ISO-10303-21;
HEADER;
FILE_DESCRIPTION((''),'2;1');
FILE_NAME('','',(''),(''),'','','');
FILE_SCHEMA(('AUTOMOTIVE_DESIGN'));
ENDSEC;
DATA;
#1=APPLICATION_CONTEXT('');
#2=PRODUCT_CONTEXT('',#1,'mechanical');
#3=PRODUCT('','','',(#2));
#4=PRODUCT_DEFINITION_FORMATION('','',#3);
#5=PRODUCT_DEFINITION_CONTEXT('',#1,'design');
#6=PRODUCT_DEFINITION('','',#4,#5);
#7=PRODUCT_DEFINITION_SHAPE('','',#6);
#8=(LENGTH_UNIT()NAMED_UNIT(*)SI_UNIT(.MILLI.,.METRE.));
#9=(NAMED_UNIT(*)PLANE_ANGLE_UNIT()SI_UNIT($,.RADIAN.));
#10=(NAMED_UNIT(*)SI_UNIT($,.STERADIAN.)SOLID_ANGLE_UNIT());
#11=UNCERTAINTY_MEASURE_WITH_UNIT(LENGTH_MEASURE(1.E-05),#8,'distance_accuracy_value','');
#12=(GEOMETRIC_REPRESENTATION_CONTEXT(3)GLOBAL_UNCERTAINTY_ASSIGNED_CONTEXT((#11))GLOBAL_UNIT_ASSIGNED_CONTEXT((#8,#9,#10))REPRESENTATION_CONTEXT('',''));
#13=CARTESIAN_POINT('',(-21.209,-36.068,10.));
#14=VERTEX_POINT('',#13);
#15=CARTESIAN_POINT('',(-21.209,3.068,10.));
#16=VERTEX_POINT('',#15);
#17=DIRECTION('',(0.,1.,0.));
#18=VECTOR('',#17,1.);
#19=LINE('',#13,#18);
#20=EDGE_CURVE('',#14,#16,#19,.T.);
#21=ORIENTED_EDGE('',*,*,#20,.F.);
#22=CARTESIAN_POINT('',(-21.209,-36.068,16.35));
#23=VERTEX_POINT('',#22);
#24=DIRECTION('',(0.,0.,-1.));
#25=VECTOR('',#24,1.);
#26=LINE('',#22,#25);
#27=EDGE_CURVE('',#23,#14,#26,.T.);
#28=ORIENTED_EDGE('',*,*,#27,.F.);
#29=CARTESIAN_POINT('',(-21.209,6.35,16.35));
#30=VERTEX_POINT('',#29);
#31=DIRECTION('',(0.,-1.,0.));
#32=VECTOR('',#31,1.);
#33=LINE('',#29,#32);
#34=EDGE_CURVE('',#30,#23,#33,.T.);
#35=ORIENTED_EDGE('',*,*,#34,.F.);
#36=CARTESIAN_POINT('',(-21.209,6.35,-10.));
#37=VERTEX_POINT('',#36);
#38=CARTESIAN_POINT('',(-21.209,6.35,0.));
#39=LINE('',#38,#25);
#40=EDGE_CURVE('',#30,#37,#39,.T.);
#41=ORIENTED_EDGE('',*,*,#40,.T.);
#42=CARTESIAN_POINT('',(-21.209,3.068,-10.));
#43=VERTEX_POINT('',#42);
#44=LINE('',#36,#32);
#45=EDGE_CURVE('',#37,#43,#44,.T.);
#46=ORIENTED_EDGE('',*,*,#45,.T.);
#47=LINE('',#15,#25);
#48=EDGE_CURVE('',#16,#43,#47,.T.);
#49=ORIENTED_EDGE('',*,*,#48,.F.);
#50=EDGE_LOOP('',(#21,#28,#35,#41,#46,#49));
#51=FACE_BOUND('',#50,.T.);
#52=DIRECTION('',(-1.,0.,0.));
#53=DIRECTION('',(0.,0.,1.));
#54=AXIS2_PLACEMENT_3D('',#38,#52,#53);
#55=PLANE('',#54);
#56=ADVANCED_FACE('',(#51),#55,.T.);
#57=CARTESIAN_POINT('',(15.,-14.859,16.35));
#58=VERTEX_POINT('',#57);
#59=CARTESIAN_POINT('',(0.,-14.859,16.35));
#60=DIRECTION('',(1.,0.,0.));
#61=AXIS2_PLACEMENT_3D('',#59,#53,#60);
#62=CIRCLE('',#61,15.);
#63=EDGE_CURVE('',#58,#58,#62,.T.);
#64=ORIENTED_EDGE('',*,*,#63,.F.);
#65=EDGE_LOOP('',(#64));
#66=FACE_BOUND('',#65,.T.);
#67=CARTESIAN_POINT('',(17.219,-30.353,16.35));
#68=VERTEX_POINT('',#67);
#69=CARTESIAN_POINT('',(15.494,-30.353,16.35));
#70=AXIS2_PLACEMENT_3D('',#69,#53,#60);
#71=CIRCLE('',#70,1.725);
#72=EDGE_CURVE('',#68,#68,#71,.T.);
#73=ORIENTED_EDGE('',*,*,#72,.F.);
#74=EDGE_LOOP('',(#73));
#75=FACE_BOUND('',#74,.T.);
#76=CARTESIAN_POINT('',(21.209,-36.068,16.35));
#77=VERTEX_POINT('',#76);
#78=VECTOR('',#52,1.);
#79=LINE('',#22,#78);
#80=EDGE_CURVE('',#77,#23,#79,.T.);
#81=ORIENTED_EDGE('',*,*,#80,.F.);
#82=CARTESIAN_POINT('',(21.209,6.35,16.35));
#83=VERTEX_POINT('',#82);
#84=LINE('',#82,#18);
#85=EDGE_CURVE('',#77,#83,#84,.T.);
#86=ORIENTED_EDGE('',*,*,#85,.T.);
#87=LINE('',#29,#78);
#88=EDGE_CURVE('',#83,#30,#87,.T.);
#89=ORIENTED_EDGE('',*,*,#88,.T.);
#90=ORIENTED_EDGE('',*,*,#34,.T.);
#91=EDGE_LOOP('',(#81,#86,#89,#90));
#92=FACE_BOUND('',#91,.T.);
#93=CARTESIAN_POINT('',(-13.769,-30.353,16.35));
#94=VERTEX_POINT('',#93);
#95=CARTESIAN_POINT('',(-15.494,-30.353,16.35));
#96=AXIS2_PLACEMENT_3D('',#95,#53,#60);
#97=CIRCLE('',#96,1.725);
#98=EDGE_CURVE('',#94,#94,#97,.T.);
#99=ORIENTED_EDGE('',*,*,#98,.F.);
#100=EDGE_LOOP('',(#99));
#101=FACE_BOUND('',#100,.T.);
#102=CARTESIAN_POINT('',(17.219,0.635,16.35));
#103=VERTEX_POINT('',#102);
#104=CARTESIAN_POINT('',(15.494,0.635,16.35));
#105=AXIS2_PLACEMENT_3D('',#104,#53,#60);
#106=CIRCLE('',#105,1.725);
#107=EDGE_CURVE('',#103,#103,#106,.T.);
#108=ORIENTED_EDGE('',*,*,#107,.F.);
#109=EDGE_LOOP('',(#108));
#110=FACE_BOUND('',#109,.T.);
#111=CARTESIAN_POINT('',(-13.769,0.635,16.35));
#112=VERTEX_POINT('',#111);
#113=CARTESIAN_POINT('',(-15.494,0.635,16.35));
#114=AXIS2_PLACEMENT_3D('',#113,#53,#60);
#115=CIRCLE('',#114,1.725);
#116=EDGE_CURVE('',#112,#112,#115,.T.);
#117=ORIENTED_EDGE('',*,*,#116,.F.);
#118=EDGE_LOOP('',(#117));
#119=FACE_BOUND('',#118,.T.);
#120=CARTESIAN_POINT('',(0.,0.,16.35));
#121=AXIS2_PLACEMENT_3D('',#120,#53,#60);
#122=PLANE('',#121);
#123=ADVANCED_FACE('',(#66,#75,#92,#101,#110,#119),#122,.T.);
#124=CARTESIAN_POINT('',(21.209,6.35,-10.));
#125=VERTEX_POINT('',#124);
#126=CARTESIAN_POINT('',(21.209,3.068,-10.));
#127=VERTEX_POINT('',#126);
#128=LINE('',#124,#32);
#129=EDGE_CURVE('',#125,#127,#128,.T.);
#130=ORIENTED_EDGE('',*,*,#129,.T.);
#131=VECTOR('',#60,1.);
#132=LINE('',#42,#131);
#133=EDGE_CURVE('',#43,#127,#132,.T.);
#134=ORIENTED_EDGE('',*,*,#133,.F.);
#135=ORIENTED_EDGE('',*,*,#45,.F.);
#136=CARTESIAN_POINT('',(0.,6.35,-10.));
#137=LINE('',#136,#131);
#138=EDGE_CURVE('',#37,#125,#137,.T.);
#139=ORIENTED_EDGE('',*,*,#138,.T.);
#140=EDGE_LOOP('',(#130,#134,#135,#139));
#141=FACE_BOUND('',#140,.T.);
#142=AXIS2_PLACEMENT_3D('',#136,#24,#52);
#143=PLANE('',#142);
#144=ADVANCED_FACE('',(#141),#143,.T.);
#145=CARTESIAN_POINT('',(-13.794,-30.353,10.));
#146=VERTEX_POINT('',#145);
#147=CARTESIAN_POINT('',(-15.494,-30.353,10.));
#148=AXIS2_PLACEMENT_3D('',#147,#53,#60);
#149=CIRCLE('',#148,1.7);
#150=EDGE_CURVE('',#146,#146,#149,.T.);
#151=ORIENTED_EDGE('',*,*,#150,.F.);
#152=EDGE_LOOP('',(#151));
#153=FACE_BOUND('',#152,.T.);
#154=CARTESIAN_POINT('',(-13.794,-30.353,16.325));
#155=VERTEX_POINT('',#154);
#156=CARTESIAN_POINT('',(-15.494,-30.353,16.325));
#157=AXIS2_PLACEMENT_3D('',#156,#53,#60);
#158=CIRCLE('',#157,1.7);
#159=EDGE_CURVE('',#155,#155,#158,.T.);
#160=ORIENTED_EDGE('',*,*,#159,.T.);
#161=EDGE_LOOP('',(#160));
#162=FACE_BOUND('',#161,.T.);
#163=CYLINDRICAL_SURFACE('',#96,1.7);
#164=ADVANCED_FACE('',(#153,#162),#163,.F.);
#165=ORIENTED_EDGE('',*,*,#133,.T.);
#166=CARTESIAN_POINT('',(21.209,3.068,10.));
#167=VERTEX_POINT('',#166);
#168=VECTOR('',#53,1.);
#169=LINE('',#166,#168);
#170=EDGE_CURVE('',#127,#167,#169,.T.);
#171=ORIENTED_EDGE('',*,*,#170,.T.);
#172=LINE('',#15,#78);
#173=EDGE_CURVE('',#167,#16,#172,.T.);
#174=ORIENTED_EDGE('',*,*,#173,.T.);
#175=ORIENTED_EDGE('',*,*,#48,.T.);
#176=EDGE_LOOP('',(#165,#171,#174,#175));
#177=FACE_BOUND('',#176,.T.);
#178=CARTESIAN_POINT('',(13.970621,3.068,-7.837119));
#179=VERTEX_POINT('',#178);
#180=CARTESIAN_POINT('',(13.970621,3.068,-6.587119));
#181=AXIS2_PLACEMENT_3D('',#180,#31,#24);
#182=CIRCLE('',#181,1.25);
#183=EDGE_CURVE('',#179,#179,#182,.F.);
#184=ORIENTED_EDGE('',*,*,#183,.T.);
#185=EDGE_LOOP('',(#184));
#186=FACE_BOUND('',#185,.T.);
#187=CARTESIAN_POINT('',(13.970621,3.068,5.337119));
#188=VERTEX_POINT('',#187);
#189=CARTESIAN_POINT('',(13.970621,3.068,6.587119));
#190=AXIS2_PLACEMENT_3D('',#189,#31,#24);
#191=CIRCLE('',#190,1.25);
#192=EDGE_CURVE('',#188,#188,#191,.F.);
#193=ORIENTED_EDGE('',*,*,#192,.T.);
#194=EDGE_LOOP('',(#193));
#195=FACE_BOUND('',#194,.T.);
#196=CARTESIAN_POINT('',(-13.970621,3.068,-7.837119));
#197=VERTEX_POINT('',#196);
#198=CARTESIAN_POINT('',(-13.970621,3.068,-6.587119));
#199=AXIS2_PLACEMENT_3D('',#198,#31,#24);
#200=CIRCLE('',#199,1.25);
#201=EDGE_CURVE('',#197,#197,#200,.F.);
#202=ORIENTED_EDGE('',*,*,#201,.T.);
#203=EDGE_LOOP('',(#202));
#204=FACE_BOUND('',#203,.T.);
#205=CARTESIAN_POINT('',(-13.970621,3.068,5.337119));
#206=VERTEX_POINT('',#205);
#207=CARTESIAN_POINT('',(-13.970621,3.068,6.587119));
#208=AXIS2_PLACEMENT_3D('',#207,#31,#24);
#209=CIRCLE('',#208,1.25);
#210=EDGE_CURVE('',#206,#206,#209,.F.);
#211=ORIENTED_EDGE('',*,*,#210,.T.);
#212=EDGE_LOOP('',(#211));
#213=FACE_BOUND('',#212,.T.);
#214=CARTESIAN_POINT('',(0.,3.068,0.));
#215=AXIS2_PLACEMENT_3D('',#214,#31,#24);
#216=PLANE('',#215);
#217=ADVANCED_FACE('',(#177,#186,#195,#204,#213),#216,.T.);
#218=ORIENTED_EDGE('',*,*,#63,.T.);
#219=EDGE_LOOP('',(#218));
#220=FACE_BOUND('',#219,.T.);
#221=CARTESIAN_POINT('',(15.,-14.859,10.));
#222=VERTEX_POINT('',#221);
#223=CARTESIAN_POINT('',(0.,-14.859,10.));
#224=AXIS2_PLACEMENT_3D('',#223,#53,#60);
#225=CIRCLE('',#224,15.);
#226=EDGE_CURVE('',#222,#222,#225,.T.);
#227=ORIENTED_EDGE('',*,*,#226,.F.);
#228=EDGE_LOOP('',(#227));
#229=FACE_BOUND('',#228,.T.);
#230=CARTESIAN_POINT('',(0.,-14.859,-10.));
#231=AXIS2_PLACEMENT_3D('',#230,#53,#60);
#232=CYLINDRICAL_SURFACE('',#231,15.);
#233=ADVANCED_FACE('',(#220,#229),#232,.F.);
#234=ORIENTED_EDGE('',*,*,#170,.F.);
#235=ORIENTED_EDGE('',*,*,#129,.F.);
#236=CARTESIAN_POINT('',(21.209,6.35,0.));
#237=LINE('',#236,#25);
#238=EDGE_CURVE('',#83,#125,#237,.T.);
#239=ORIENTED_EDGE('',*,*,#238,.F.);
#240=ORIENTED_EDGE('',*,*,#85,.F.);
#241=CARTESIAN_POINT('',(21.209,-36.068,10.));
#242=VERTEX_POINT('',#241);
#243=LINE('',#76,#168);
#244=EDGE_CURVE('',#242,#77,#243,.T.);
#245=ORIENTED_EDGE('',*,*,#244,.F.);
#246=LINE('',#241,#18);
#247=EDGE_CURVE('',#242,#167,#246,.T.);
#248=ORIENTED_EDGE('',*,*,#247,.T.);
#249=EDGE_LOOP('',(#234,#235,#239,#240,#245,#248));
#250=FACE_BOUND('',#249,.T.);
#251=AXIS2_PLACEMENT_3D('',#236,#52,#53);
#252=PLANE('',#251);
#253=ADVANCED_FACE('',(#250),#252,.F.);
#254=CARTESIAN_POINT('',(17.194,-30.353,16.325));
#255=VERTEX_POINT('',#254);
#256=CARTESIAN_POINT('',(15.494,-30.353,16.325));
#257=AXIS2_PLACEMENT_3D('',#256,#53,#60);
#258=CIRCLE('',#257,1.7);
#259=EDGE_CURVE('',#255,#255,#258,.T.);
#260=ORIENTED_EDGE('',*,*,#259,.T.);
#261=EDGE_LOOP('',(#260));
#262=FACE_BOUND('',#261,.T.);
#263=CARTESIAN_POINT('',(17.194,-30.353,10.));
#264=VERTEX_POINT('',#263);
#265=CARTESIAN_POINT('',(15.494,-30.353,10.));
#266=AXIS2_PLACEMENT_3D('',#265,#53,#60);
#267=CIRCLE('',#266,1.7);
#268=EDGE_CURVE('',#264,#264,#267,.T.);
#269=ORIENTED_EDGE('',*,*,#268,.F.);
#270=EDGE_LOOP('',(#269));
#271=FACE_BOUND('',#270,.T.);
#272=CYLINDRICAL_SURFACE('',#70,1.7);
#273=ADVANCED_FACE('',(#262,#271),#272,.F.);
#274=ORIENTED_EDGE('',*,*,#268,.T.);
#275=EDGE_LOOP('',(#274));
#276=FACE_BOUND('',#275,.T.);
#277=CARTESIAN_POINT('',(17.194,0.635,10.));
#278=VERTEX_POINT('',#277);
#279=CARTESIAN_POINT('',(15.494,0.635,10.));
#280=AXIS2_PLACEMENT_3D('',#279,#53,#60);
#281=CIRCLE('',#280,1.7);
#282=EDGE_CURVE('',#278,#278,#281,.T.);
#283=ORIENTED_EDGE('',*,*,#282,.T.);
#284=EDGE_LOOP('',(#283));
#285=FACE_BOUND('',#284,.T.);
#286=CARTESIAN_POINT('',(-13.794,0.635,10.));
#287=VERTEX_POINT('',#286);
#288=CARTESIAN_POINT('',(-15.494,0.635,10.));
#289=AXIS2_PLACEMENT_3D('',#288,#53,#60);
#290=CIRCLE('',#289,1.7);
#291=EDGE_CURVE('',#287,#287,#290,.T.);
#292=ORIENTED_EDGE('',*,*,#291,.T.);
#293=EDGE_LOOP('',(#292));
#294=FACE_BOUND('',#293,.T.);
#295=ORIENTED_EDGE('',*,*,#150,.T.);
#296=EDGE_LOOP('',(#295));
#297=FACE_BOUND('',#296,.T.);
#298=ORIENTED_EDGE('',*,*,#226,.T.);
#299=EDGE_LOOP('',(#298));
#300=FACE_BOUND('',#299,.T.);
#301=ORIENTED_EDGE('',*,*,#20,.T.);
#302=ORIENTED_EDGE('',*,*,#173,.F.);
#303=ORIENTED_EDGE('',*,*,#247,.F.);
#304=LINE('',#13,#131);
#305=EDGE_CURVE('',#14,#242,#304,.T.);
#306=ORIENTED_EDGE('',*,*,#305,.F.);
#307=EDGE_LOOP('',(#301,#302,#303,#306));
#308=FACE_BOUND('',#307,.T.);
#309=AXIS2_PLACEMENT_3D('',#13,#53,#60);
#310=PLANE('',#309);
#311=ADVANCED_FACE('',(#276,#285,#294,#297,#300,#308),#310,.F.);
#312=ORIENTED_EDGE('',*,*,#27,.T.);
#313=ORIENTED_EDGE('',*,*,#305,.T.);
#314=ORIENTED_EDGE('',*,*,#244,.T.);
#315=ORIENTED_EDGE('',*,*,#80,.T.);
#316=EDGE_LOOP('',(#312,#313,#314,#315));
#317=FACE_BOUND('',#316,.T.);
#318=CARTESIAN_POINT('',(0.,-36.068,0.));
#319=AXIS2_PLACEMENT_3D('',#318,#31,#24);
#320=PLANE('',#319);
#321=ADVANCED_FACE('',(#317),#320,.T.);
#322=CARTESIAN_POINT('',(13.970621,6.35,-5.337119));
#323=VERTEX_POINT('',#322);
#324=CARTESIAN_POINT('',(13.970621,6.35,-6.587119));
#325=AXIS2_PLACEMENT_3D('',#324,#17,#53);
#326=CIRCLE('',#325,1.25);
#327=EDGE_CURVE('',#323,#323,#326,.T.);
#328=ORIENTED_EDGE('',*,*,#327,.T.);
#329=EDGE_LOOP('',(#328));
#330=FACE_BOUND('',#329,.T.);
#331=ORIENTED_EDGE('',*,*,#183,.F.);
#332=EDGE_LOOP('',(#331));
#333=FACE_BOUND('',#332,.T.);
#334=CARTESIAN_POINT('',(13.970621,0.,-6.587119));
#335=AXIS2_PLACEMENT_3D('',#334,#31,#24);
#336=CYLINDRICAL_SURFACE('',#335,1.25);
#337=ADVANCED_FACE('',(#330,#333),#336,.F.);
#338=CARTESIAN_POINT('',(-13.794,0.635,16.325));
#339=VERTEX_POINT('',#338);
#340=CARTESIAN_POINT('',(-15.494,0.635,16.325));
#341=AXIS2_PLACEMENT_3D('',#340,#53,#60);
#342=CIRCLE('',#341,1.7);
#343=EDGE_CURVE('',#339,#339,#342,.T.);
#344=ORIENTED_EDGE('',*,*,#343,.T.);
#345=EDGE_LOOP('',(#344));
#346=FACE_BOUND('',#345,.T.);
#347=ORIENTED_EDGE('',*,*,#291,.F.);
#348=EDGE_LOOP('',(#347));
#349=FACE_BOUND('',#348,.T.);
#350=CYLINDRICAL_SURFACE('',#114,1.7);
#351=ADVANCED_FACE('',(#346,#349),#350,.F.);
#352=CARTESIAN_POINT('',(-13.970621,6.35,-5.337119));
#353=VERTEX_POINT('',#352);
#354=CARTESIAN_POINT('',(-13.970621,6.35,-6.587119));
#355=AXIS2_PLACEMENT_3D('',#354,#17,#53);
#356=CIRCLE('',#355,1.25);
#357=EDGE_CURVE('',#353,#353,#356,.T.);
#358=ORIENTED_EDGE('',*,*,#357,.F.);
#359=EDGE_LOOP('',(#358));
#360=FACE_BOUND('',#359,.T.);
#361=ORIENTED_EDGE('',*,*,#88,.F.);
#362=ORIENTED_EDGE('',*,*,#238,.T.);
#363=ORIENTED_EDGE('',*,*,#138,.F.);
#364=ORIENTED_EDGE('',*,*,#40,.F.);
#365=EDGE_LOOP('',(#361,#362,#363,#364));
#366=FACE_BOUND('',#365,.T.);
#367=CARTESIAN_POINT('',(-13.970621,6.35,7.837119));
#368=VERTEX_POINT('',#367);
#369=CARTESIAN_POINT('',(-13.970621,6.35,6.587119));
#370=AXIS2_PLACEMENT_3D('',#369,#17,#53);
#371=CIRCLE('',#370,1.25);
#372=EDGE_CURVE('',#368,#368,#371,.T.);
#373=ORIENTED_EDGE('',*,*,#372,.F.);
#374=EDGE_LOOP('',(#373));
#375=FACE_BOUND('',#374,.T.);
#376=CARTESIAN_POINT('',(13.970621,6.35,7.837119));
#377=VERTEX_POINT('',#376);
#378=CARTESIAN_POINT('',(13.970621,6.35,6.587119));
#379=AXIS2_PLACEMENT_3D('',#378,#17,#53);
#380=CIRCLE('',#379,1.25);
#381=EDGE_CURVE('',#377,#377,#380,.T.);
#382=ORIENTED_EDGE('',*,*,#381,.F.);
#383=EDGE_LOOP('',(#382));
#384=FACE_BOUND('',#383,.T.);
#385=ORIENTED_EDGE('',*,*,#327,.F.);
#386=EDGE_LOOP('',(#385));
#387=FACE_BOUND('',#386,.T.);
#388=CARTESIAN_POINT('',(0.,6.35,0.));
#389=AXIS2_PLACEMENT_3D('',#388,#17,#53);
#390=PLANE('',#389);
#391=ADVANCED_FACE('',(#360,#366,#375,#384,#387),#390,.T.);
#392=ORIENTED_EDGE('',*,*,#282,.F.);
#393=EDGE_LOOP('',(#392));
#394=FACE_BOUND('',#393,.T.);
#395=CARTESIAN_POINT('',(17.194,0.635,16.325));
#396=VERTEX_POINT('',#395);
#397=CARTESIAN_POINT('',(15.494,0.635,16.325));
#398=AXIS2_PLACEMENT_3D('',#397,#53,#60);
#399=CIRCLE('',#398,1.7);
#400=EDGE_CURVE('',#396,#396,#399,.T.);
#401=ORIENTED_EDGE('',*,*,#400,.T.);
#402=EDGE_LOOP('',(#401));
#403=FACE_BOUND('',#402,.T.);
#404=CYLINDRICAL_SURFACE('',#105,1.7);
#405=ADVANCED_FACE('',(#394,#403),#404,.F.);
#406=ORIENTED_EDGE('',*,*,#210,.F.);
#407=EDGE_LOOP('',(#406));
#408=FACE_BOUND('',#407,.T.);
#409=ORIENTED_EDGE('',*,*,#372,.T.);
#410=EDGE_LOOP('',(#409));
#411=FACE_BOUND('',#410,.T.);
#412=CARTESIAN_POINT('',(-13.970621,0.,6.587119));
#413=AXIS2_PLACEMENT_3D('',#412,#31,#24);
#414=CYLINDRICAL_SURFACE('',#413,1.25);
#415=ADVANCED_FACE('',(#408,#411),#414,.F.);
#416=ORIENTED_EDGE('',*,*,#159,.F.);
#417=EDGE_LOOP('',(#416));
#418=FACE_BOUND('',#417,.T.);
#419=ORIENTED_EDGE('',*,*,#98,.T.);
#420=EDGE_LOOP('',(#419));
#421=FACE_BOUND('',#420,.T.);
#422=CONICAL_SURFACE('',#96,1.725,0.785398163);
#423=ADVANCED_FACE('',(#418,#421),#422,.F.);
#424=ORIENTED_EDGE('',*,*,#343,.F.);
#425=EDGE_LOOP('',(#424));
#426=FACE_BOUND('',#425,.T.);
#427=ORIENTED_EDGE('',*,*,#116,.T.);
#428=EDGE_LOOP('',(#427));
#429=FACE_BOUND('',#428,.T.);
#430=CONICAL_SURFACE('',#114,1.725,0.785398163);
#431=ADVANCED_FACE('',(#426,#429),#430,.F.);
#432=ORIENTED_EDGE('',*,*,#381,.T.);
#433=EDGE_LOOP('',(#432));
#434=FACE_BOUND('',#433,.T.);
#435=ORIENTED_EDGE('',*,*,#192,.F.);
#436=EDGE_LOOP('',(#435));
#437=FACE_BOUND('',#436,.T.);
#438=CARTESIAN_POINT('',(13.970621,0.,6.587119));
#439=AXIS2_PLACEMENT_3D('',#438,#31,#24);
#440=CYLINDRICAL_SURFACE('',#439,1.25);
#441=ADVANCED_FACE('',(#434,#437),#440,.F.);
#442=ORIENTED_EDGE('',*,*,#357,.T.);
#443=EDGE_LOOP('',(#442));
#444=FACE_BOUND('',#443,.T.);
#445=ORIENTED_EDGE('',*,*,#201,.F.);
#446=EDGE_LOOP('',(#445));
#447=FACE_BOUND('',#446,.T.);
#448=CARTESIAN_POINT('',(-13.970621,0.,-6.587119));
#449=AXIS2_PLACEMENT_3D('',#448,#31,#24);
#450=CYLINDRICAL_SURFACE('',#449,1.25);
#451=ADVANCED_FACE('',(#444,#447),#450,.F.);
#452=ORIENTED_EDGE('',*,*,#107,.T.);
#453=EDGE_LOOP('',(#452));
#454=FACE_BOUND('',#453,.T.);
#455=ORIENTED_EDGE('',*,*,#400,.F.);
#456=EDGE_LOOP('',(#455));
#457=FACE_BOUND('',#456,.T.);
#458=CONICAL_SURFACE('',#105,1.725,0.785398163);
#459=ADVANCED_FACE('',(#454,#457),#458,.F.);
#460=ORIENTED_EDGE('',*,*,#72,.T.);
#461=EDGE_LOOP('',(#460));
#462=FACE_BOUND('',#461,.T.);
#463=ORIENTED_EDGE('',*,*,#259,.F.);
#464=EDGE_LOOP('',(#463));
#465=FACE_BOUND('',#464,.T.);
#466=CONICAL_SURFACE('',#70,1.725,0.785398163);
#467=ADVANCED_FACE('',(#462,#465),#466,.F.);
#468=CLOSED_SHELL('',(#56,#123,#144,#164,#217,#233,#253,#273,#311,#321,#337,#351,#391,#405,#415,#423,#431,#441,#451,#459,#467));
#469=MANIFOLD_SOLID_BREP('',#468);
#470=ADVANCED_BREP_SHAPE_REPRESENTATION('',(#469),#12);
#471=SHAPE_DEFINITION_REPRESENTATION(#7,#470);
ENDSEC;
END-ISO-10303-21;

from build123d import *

# Parameters (mm, degrees)
SKETCH1_W                             = 42.418
SKETCH1_H                             = 20
BOSS_EXTRUDE1_DEPTH                   = 6.35
TAP_DRILL_FOR_M3X0_5_TAP2_D           = 2.5
TAP_DRILL_FOR_M3X0_5_TAP2_DEPTH       = 9.248924226
TAP_DRILL_FOR_M3X0_5_TAP2_CSINK_D     = 2.55
TAP_DRILL_FOR_M3X0_5_TAP2_CSINK_ANGLE = 90
TAP_DRILL_FOR_M3X0_5_TAP2_TIP         = 0.751075774
SKETCH12_W                            = 42.418
SKETCH12_H                            = 6.35
BOSS_EXTRUDE2_DEPTH                   = 6.35
SKETCH13_W                            = 42.418
SKETCH13_H                            = 6.35
BOSS_EXTRUDE3_DEPTH                   = 36.068
M3_CLEARANCE_HOLE1_D                  = 3.4
M3_CLEARANCE_HOLE1_CSINK_D            = 3.45
M3_CLEARANCE_HOLE1_CSINK_ANGLE        = 90
SKETCH17_W                            = 42.418
SKETCH17_H                            = 20
CUT_EXTRUDE1_DEPTH                    = 3.068
SKETCH19_R                            = 15
CUT_EXTRUDE2_DEPTH                    = 50.44739432


with BuildPart() as part:
    # Sketch1 → Boss-Extrude1 (new body)
    with BuildSketch(Plane(origin=(0, 0, 0), x_dir=(1, 0, 0), z_dir=(0, 1, 0))):
        Rectangle(SKETCH1_W, SKETCH1_H)
    extrude(amount=BOSS_EXTRUDE1_DEPTH)

    # Tap Drill for M3x0.5 Tap2
    with Locations(Plane(origin=(0, 0, 0), x_dir=(-1, 0, 0), z_dir=(0, -1, 0))):
        with Locations((-13.970620706, 6.587119009), (-13.970620706, -6.587119009), (13.970620706, 6.587119009), (13.970620706, -6.587119009)):
            CounterSinkHole(TAP_DRILL_FOR_M3X0_5_TAP2_D / 2, TAP_DRILL_FOR_M3X0_5_TAP2_CSINK_D / 2, depth=TAP_DRILL_FOR_M3X0_5_TAP2_DEPTH, counter_sink_angle=TAP_DRILL_FOR_M3X0_5_TAP2_CSINK_ANGLE)
            with Locations((0, 0, -(TAP_DRILL_FOR_M3X0_5_TAP2_DEPTH + TAP_DRILL_FOR_M3X0_5_TAP2_TIP / 2))):  # 118° drill point
                Cone(0, TAP_DRILL_FOR_M3X0_5_TAP2_D / 2, TAP_DRILL_FOR_M3X0_5_TAP2_TIP, mode=Mode.SUBTRACT)

    # Sketch12 → Boss-Extrude2 (add)
    with BuildSketch(Plane.XY.offset(10)):
        with Locations((0, 3.175)):
            Rectangle(SKETCH12_W, SKETCH12_H)
    extrude(amount=BOSS_EXTRUDE2_DEPTH)

    # Sketch13 → Boss-Extrude3 (add)
    with BuildSketch(Plane.XZ):
        with Locations((0, 13.175)):
            Rectangle(SKETCH13_W, SKETCH13_H)
    extrude(amount=BOSS_EXTRUDE3_DEPTH)

    # M3 Clearance Hole1 (through all)
    with Locations(Plane.XY.offset(16.35)):
        with Locations((-15.494, 0.635), (15.494, 0.635), (15.494, -30.353), (-15.494, -30.353)):
            CounterSinkHole(M3_CLEARANCE_HOLE1_D / 2, M3_CLEARANCE_HOLE1_CSINK_D / 2, counter_sink_angle=M3_CLEARANCE_HOLE1_CSINK_ANGLE)

    # Sketch17 → Cut-Extrude1 (cut)
    with BuildSketch(Plane.XZ):
        Rectangle(SKETCH17_W, SKETCH17_H)
    extrude(amount=-CUT_EXTRUDE1_DEPTH, mode=Mode.SUBTRACT)

    # Sketch19 → Cut-Extrude2 (cut, through all)
    with BuildSketch(Plane.XY.offset(16.35)):
        with Locations((0, -14.859)):
            Circle(SKETCH19_R)
    extrude(amount=-CUT_EXTRUDE2_DEPTH, mode=Mode.SUBTRACT)


solid = part.part
